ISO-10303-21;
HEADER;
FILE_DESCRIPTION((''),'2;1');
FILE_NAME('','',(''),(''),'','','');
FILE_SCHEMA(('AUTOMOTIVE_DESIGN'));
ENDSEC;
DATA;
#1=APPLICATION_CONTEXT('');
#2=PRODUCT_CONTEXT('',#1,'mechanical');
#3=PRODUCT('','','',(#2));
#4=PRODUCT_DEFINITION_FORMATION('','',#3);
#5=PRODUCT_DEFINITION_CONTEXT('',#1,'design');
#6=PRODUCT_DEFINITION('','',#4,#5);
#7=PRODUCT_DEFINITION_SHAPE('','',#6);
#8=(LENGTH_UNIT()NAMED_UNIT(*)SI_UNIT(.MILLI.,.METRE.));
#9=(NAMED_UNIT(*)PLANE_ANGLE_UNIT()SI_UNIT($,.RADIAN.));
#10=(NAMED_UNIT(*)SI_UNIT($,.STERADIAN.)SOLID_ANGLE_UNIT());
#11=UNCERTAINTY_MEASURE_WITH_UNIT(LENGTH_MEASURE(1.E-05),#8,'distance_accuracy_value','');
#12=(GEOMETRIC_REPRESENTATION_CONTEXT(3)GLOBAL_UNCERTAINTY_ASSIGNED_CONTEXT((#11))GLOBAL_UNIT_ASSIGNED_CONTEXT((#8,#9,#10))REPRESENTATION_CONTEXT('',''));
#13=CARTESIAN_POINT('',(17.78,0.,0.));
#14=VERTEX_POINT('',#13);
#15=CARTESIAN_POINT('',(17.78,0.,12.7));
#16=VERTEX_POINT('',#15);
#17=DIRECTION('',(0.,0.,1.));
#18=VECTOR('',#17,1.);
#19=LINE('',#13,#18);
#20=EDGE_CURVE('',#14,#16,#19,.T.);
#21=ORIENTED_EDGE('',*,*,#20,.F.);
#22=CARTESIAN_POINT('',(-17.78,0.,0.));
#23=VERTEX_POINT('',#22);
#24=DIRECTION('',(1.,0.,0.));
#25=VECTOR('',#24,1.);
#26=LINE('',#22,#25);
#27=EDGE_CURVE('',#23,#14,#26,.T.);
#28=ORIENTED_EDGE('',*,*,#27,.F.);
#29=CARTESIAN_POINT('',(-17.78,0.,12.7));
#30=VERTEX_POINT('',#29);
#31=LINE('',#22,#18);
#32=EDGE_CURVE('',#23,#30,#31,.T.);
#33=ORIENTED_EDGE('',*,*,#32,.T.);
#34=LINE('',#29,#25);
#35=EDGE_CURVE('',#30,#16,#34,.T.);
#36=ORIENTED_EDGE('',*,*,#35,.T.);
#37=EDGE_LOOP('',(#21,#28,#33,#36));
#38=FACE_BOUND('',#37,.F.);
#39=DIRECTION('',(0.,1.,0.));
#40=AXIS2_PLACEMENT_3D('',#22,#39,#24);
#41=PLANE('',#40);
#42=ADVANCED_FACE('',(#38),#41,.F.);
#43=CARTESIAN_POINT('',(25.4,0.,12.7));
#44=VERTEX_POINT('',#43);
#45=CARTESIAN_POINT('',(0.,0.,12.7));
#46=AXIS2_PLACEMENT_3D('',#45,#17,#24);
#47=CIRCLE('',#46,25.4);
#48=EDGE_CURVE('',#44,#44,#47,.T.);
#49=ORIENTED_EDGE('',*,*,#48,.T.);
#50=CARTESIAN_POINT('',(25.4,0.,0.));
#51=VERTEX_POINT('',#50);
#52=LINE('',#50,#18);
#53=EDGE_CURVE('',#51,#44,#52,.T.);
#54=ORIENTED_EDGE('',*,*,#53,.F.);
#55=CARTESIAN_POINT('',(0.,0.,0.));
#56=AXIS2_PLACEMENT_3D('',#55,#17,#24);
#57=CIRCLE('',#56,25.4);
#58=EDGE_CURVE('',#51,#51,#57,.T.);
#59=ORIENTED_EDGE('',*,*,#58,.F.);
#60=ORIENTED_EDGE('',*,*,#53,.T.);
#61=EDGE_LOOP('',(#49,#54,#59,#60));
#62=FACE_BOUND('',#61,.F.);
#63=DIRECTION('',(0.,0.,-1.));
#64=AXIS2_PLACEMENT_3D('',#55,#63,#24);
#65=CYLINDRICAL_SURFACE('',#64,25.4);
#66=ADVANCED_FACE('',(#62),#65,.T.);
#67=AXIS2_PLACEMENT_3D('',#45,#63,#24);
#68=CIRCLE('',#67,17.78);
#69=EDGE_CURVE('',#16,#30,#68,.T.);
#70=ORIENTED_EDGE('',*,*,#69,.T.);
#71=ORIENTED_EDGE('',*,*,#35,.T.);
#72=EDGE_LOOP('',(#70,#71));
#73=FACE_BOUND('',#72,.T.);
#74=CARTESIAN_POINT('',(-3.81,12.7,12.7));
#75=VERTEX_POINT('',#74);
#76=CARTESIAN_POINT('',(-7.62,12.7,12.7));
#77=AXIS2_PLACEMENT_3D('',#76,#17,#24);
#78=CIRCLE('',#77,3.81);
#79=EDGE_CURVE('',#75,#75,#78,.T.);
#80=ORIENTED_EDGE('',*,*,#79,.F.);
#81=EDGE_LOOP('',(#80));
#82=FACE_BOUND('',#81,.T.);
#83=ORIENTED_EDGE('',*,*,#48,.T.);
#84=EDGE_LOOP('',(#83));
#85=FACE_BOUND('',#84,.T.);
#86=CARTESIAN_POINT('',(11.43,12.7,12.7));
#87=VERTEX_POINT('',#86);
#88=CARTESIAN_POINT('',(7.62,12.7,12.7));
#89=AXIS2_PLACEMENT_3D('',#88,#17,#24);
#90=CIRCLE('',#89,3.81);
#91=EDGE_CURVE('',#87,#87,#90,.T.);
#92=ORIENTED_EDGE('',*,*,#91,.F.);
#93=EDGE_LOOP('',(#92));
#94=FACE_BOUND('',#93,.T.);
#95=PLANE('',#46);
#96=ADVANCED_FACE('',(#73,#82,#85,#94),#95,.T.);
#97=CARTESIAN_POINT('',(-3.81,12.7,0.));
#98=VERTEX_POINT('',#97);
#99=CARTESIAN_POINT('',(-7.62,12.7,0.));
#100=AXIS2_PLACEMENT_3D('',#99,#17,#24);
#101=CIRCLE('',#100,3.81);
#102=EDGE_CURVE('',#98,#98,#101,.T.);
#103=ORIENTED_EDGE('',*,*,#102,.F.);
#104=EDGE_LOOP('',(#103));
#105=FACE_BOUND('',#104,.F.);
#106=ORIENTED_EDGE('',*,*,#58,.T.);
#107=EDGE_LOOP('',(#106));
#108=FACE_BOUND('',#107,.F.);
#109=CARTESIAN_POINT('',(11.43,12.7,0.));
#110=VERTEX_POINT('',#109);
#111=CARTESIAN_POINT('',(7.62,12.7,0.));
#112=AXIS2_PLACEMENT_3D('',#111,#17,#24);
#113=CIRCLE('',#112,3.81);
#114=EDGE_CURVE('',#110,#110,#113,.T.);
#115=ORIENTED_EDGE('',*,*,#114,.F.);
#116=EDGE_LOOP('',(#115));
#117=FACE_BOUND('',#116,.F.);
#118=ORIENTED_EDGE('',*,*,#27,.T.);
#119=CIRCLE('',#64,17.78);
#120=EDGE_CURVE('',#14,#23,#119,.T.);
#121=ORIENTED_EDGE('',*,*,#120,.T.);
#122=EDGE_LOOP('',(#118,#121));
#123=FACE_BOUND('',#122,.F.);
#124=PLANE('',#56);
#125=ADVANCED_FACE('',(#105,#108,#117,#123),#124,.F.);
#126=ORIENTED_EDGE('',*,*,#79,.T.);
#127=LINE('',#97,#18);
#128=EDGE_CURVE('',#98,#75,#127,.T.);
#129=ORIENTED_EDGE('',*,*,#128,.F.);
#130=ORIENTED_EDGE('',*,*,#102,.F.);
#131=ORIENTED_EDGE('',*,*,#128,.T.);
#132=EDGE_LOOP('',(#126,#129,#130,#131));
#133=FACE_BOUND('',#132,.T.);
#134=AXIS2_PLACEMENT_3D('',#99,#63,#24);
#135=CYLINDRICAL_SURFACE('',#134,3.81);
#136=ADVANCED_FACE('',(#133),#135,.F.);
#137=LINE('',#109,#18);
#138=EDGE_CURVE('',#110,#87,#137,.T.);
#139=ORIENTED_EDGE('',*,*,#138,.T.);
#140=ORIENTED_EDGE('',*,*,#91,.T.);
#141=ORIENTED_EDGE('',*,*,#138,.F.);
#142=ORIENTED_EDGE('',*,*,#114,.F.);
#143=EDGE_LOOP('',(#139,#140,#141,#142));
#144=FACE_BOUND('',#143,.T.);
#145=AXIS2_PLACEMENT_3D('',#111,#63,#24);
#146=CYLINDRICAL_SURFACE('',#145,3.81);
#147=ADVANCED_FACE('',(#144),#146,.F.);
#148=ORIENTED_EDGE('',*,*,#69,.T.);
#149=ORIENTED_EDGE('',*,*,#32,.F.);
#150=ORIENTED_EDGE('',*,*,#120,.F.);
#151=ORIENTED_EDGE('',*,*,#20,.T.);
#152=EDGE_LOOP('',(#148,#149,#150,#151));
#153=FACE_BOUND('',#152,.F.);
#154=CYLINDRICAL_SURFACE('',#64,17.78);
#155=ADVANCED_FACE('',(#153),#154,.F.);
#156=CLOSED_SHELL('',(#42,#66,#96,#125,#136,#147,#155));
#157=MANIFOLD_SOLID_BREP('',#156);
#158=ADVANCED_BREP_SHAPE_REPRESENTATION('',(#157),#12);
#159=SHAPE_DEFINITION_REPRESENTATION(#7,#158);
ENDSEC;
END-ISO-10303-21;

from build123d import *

# Parameters (mm, degrees)
F0_R     = 25.4
F0_R_2   = 3.81
F1_DEPTH = 12.7


with BuildPart() as f1:
    # F0 (on Top) → F1 (new body)
    with BuildSketch(Plane.XY):
        Circle(F0_R)
        with BuildLine():
            Line((-17.78, 0), (17.78, 0))
            ThreePointArc((17.78, 0), (0, -17.78), (-17.78, 0))
        make_face(mode=Mode.SUBTRACT)
        with Locations((-7.62, 12.7)):
            Circle(F0_R_2, mode=Mode.SUBTRACT)
        with Locations((7.62, 12.7)):
            Circle(F0_R_2, mode=Mode.SUBTRACT)
    extrude(amount=F1_DEPTH)


solid = f1.part
